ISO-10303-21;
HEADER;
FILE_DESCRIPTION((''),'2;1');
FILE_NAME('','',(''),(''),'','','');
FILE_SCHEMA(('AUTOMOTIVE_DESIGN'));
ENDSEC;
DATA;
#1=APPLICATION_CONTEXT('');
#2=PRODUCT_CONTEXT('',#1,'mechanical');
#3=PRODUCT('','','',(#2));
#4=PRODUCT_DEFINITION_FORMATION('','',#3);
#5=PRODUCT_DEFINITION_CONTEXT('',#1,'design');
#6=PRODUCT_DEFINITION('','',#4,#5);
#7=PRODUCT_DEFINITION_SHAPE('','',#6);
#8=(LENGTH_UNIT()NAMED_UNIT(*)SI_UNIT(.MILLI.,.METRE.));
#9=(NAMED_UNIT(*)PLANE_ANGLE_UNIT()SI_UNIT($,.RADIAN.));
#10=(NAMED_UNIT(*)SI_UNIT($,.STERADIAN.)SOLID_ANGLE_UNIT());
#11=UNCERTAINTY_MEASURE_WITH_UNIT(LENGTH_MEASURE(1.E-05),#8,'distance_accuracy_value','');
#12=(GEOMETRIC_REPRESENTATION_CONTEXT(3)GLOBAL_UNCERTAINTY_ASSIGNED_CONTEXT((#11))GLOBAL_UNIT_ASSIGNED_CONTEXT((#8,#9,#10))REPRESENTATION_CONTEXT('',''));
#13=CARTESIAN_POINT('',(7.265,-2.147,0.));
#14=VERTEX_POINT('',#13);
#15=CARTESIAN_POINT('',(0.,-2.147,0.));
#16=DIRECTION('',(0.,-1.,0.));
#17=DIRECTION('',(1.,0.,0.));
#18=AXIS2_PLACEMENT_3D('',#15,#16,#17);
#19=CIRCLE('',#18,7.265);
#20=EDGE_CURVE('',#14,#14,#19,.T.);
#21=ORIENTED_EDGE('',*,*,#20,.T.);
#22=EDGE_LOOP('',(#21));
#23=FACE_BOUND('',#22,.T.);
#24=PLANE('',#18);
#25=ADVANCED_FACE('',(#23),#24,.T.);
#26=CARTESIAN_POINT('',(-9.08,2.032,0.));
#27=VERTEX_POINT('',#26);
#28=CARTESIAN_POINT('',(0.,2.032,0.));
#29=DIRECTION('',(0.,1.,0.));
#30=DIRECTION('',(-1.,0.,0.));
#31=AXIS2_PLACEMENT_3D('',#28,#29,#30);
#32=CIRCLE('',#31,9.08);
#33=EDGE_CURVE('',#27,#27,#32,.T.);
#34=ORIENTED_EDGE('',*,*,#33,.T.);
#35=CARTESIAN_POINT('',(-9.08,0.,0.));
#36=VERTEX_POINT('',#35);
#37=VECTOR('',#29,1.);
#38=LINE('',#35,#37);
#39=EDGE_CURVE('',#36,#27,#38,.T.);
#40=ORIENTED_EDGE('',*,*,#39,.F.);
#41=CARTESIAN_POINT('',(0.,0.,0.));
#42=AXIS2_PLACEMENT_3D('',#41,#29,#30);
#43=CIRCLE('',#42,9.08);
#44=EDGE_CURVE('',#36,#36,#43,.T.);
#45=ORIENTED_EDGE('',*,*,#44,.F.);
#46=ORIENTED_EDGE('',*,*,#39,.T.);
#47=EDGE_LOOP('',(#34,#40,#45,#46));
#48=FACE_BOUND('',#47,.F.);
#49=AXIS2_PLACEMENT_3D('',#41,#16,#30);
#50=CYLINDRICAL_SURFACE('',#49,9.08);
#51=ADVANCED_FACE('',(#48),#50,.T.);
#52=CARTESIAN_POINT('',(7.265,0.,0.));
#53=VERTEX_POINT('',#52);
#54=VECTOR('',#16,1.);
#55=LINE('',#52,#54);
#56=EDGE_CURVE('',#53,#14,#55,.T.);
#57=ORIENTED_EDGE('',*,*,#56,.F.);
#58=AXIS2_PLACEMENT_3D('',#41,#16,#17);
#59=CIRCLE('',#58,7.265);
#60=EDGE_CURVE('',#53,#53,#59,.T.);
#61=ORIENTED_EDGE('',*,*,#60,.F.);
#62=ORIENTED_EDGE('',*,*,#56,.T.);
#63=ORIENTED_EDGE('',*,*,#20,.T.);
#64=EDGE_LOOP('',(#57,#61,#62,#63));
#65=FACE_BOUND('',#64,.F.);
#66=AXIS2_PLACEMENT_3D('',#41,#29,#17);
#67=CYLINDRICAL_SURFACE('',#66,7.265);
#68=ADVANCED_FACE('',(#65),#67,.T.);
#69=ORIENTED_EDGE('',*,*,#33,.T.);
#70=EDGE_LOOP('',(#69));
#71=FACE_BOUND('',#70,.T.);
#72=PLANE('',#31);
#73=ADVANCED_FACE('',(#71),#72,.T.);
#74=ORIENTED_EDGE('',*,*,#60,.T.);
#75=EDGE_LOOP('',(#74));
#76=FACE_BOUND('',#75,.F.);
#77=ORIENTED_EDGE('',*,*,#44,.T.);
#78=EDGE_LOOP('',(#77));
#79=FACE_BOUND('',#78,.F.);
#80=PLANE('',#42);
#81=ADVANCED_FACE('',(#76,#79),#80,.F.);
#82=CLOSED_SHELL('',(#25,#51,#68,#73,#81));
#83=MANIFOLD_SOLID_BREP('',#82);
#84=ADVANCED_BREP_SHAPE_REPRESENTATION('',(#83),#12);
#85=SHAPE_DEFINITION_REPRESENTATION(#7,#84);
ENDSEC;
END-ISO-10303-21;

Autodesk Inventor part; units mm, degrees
ref_plane "YZ Plane" through (0, 0, 0) normal (1, 0, 0) x (0, 1, 0)
ref_plane "XZ Plane" through (0, 0, 0) normal (0, 1, 0) x (-1, 0, 0)
ref_plane "XY Plane" through (0, 0, 0) normal (0, 0, 1) x (1, 0, 0)
sketch "Sketch1" plane through (0, 0, 0) normal (0, 1, 0) x (-1, 0, 0)
  circle A0 centre (0, 0) radius 9.08
  dimension "d0" = 18.16
extrude "Extrusion1" add sketch "Sketch1" along normal blind 2.032
sketch "Sketch2" plane through (0, 0, 0) normal (0, -1, 0) x (1, 0, 0)
  circle A0 centre (0, 0) radius 7.265
  dimension "d3" = 14.53
extrude "Extrusion2" add sketch "Sketch2" along normal blind 2.147
sketch "Sketch3" plane through (0, -2.147, 0) normal (0, -1, 0) x (1, 0, 0)
  circle A0 centre (0, 0) radius 4.3754
properties part number "stem"
